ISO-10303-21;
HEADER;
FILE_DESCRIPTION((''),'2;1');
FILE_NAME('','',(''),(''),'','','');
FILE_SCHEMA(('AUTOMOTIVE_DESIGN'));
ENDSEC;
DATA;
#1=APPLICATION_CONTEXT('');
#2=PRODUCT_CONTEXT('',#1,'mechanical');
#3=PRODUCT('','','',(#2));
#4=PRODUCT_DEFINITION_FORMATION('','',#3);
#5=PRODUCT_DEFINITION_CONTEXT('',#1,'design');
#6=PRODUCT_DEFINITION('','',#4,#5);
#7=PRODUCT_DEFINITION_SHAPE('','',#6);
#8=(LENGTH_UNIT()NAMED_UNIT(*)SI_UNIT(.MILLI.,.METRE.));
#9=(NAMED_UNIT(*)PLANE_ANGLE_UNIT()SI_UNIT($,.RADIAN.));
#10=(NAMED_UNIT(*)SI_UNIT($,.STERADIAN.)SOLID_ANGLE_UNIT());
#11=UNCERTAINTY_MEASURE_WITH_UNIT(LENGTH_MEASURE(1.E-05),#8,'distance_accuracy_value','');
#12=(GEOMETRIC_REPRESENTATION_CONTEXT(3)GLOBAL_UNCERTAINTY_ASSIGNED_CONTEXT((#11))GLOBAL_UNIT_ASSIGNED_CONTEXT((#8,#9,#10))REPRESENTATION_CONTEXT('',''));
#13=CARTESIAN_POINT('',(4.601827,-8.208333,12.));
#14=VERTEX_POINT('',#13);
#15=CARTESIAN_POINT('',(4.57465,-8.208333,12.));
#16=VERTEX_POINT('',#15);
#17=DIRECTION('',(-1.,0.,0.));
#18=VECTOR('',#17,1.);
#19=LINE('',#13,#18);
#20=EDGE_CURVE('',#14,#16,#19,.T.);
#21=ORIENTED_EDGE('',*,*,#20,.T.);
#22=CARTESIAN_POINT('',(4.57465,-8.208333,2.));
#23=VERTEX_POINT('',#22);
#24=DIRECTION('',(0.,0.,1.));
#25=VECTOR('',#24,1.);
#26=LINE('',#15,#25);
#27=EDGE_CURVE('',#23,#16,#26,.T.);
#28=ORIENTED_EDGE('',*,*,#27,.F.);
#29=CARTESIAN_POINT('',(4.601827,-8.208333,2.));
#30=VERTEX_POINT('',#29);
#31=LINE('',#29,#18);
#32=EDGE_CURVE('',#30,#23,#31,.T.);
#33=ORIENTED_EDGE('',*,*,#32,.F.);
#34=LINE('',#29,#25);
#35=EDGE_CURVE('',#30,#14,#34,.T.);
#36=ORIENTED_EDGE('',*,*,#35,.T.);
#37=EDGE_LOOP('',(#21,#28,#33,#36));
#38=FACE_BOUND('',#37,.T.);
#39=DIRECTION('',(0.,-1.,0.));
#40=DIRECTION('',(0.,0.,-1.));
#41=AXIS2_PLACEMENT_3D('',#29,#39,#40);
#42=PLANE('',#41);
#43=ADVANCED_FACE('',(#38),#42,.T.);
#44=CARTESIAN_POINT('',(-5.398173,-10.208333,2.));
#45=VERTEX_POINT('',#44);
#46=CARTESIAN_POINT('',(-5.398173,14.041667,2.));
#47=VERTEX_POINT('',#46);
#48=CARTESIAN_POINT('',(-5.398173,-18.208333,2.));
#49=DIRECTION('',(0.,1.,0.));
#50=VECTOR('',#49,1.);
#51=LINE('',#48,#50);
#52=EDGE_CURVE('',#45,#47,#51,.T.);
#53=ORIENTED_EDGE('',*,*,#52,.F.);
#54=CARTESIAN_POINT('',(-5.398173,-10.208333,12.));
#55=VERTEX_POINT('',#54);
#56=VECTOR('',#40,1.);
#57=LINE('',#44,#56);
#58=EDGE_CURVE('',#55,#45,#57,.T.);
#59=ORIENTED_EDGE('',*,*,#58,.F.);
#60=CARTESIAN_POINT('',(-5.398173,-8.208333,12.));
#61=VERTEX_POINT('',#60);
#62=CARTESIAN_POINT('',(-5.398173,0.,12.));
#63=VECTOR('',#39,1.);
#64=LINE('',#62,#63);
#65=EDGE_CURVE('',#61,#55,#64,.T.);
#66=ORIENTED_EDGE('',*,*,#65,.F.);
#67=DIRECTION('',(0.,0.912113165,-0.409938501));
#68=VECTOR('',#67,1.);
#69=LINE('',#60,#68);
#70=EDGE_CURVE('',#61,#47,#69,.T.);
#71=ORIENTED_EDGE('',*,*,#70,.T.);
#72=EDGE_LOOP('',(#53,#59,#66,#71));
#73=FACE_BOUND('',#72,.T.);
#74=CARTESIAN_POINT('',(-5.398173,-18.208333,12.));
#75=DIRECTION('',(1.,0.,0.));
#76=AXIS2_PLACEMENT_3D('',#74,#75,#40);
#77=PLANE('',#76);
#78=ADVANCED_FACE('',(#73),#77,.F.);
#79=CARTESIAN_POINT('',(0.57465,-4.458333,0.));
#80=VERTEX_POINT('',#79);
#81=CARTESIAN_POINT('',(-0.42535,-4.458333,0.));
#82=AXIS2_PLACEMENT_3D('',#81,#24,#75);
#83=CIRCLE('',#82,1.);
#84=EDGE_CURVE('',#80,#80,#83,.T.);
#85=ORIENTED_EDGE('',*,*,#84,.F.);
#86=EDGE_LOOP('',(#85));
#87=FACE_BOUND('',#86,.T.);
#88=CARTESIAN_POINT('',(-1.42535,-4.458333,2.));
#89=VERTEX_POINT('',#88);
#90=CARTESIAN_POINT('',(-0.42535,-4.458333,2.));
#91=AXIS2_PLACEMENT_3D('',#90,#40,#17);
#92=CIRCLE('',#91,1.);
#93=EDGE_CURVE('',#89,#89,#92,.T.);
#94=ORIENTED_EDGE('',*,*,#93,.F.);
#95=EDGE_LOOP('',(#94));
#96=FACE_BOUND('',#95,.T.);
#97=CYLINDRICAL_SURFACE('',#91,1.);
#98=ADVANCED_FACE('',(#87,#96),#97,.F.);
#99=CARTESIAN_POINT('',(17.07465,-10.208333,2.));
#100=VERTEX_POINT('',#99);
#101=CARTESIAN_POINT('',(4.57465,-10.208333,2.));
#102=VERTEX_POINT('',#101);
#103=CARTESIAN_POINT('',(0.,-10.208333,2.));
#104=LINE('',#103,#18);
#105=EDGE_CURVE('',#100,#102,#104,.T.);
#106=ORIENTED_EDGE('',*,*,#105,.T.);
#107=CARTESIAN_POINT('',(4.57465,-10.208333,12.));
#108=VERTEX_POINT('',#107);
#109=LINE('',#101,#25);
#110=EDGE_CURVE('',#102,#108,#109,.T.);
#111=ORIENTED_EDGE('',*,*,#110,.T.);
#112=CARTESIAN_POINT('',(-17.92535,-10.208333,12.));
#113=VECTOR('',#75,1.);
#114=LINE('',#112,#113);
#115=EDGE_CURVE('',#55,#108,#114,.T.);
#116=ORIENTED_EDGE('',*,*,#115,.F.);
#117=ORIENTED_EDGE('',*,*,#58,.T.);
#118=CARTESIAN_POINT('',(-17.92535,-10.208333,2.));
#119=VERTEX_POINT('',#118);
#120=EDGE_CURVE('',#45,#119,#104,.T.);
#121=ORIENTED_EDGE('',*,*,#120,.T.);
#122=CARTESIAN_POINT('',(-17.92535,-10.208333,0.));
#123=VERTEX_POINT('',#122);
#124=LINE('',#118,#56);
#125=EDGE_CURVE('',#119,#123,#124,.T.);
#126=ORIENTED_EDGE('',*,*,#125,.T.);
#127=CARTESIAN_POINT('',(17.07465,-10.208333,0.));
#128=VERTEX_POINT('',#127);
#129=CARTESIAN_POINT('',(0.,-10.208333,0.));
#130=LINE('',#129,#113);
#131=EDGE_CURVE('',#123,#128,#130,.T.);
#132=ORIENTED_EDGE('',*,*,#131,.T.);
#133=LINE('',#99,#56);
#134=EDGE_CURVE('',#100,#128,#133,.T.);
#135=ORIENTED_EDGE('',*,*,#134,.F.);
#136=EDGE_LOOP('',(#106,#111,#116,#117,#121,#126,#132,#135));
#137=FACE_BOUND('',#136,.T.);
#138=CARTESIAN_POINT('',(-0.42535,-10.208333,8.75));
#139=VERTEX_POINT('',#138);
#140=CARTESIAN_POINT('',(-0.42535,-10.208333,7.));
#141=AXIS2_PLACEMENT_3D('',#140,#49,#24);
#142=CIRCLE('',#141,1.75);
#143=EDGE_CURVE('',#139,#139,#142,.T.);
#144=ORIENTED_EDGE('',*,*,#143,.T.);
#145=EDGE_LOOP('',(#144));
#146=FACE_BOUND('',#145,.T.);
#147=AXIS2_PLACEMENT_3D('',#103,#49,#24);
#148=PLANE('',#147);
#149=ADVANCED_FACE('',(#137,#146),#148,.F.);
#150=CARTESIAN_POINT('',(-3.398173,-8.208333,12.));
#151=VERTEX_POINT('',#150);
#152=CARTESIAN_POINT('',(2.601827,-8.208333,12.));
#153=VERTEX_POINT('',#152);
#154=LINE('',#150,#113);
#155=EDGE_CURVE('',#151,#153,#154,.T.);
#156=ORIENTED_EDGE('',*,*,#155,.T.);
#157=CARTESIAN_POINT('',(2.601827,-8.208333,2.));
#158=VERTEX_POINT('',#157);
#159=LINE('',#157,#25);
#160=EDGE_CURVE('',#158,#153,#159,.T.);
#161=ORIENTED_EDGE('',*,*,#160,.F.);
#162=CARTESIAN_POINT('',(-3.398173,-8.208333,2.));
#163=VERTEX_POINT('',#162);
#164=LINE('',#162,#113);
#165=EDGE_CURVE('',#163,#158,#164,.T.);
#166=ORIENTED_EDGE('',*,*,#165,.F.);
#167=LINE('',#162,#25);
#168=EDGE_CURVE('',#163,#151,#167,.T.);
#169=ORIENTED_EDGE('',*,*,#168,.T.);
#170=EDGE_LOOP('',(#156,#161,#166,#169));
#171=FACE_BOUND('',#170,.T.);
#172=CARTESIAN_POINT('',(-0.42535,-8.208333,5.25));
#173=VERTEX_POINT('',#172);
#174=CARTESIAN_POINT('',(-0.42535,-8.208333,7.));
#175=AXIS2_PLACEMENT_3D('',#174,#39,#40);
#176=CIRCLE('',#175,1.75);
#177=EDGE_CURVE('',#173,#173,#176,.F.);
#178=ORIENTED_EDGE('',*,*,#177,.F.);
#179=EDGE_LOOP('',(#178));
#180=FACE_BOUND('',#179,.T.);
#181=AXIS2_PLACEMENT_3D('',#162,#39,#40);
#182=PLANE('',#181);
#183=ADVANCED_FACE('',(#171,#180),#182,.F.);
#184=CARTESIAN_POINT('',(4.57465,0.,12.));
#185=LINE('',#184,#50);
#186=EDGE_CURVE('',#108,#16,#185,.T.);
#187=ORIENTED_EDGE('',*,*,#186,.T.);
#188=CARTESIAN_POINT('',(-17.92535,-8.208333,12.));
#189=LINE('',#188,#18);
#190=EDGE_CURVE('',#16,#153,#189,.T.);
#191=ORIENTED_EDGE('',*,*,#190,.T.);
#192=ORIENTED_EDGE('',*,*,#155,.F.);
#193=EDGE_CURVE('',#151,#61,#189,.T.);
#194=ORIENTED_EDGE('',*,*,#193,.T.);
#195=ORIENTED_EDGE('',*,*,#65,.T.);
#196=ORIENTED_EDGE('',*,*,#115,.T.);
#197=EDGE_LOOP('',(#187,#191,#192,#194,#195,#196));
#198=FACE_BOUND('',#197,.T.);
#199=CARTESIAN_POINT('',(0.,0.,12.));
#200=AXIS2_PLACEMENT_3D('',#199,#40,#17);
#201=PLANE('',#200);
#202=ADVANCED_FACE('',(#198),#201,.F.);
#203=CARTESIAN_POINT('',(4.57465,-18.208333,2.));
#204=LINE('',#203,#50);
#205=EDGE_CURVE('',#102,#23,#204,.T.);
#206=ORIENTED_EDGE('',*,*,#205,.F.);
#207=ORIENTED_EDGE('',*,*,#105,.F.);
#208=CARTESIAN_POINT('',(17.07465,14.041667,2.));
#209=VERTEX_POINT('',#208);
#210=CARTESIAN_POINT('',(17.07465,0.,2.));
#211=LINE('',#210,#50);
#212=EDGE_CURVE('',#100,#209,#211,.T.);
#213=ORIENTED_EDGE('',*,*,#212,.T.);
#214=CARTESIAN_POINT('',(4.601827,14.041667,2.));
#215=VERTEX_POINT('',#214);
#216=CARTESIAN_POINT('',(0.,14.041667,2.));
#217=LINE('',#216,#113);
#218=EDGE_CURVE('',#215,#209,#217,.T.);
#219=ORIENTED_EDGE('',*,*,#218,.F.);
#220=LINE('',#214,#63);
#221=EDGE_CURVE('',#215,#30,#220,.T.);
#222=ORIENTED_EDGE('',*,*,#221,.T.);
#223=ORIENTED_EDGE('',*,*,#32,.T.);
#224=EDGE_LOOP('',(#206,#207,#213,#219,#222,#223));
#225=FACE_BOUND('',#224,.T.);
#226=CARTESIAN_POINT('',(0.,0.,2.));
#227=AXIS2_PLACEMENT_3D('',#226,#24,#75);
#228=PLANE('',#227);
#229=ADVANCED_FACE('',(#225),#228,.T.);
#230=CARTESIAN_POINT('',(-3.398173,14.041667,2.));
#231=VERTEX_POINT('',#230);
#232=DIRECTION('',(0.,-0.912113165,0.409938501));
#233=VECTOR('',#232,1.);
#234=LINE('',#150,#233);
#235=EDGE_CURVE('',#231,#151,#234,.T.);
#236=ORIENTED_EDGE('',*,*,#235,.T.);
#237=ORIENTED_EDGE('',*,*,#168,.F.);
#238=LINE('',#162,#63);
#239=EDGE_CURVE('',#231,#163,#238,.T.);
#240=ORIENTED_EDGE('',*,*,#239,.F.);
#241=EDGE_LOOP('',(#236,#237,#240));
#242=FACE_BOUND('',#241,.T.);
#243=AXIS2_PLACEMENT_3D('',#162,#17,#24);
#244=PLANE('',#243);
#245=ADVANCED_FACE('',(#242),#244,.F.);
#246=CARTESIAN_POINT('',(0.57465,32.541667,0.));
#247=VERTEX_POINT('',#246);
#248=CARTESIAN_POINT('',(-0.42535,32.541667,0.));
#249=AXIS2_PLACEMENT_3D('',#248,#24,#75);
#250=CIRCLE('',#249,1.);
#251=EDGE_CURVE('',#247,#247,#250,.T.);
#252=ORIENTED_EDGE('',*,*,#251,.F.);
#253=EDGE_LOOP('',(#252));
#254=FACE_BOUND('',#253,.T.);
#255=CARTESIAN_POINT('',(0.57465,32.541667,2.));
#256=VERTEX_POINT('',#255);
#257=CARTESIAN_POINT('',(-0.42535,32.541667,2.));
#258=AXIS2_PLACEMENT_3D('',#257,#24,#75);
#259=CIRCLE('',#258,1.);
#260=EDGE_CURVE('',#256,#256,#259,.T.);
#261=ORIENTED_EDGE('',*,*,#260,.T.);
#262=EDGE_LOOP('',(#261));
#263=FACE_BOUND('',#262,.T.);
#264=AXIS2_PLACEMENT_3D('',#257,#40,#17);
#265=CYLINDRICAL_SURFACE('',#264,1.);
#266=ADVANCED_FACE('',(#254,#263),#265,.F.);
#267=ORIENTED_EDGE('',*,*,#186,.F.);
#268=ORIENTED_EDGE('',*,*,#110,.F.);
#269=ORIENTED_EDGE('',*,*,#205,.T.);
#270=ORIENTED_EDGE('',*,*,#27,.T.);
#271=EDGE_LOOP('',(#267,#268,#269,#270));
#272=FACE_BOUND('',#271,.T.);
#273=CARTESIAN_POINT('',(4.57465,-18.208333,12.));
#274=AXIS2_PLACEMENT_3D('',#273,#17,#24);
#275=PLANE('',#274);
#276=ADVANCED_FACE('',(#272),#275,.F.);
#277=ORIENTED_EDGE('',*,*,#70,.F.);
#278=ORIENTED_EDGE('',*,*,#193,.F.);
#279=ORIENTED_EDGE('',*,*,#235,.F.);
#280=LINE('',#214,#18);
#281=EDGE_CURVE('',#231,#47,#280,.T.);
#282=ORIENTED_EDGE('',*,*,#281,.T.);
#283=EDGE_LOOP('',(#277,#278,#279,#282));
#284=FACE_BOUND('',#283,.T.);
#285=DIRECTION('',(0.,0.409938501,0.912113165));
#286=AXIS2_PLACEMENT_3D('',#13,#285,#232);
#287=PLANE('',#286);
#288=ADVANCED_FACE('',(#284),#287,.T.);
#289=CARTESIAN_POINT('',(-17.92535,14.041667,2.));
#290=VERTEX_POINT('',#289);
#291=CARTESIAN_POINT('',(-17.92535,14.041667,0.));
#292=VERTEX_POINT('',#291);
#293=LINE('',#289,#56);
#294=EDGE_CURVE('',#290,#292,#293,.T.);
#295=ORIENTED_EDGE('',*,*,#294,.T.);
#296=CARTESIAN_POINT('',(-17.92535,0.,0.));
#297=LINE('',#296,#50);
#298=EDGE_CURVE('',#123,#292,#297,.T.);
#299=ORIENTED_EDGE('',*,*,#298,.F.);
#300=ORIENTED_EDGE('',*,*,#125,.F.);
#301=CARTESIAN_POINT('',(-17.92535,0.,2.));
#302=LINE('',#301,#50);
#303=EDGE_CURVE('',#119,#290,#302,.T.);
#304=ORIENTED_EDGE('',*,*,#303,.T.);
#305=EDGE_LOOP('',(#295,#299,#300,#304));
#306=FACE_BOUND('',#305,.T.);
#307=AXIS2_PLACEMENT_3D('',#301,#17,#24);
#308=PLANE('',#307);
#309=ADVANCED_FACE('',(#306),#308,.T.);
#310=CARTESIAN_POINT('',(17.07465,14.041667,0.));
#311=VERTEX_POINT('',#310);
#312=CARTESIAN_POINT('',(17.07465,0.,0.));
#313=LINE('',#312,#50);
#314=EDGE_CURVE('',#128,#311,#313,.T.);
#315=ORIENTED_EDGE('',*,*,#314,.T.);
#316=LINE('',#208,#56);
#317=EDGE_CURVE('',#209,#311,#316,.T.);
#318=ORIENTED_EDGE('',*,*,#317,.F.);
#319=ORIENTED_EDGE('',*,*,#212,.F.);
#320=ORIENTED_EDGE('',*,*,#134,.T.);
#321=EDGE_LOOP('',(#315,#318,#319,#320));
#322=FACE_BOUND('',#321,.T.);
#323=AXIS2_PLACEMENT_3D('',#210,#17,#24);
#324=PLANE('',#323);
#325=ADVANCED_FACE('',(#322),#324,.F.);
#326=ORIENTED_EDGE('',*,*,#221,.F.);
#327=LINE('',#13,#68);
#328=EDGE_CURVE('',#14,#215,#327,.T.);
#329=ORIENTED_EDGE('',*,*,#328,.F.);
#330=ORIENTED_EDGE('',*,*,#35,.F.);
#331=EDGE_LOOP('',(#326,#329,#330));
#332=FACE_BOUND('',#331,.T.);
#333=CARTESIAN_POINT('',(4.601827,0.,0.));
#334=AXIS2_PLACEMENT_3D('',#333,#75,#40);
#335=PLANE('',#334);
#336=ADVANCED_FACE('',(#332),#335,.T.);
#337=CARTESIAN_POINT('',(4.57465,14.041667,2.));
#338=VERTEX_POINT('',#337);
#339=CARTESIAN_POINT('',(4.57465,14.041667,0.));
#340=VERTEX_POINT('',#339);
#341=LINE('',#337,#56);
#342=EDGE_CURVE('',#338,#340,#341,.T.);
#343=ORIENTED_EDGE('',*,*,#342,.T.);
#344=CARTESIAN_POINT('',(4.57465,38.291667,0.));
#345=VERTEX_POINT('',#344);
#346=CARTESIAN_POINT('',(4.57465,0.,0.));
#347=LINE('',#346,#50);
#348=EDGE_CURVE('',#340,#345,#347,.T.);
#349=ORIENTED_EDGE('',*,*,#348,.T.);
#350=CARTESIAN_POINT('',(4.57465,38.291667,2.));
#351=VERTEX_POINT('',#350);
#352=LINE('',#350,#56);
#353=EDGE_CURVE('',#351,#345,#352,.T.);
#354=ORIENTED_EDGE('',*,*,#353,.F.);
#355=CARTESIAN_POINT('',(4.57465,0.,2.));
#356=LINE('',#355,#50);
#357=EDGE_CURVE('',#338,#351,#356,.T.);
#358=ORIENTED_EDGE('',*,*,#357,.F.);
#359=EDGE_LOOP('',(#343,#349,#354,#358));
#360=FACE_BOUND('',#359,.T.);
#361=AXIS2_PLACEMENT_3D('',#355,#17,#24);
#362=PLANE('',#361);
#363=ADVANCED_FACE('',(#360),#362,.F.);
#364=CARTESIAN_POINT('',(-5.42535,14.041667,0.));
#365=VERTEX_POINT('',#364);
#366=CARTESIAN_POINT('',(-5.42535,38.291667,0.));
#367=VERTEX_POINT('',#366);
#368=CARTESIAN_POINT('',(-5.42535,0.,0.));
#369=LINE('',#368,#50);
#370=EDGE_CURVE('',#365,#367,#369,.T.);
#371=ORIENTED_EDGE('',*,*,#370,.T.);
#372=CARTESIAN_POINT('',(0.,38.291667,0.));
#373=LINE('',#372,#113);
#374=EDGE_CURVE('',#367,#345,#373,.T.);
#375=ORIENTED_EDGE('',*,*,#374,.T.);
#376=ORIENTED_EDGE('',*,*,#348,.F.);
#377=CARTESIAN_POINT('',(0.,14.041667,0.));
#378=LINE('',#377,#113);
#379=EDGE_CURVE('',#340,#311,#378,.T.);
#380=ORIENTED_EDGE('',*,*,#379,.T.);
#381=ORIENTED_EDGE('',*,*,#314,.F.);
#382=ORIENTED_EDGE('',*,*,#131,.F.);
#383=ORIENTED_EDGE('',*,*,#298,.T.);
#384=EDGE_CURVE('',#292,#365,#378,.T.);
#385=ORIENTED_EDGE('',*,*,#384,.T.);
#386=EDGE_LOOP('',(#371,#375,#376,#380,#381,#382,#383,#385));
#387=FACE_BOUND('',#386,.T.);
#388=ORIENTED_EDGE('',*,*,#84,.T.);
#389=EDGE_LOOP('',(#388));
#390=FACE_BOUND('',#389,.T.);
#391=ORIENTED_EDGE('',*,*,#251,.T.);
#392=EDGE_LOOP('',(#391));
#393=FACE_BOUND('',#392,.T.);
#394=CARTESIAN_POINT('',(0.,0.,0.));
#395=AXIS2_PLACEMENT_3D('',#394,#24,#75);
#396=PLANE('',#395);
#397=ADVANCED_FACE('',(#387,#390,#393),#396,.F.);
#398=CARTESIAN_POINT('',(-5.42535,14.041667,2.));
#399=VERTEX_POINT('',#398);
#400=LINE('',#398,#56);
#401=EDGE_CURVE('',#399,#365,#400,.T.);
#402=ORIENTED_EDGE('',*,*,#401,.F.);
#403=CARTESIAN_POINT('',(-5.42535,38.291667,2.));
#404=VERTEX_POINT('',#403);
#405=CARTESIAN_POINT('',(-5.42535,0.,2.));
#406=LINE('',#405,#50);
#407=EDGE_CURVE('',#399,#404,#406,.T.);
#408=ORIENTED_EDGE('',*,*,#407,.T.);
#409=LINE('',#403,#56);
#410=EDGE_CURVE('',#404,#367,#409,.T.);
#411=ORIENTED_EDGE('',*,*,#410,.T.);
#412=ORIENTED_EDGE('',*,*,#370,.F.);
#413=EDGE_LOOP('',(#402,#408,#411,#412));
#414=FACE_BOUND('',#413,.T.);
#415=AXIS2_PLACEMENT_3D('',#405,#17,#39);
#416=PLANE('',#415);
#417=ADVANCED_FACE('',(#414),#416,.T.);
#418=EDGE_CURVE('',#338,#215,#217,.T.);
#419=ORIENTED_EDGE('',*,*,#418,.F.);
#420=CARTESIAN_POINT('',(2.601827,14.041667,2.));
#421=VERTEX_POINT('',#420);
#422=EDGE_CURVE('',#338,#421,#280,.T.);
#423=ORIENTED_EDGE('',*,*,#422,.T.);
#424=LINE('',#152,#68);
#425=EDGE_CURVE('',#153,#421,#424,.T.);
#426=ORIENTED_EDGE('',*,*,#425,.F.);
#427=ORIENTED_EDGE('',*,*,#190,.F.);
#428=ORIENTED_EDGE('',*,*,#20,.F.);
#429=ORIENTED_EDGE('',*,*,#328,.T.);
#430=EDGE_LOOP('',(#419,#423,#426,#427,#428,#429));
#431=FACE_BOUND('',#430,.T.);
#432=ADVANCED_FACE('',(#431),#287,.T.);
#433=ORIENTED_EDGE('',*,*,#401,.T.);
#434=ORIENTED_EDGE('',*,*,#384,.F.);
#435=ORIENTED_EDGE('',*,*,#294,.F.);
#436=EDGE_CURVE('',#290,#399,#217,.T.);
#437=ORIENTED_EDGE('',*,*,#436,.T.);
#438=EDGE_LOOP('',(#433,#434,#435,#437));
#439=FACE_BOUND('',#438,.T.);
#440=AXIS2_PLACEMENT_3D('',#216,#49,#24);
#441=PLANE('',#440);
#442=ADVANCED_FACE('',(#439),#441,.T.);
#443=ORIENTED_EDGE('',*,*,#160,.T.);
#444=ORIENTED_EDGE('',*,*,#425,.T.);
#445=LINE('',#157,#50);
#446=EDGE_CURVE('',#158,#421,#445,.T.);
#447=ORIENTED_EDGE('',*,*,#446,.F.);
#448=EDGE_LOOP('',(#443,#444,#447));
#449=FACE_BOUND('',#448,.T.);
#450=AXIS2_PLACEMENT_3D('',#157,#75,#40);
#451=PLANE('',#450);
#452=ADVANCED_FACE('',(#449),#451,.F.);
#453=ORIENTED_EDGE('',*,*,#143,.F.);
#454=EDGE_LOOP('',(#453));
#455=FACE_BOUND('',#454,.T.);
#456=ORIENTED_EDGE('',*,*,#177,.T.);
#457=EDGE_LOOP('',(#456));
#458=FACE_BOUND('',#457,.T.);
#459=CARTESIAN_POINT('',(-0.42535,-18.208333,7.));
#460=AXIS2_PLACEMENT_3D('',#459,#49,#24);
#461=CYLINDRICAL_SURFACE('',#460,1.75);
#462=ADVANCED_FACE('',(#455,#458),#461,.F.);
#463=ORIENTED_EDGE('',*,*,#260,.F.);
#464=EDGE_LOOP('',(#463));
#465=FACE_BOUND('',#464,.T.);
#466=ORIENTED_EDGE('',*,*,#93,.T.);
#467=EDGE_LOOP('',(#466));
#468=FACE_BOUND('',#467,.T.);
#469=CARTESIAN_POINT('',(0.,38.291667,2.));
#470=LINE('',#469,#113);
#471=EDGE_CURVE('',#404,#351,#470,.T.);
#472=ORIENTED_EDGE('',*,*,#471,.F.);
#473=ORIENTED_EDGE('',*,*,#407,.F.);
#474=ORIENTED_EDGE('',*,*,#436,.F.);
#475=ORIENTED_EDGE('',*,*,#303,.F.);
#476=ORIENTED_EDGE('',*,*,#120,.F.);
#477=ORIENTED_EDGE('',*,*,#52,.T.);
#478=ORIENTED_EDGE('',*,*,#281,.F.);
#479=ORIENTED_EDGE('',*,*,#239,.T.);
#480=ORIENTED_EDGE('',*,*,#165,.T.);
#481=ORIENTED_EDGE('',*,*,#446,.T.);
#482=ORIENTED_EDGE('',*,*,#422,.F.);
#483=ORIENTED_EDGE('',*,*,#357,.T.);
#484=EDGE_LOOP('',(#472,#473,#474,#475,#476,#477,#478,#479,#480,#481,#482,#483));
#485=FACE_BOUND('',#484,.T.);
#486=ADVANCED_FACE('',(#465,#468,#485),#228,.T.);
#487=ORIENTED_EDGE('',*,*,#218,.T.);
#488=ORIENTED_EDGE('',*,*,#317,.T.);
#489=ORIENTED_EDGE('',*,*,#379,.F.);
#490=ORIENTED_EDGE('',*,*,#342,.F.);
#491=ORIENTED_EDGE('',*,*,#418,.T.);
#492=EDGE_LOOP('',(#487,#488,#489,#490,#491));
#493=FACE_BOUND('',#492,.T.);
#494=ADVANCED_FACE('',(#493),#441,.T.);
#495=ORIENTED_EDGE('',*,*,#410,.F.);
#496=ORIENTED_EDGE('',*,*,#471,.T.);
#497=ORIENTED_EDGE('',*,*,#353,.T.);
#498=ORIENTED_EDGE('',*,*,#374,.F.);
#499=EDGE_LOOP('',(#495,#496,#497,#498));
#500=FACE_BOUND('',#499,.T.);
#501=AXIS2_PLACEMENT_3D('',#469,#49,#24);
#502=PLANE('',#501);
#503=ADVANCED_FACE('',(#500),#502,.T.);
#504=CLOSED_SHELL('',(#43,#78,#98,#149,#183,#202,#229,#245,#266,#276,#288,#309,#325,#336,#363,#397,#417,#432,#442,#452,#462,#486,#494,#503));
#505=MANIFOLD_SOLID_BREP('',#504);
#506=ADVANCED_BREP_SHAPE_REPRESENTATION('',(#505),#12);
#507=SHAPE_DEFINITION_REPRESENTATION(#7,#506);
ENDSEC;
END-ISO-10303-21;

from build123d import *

# Parameters (mm, degrees)
ESBO_O1_R                = 1
RESSALTO_EXTRUS_O1_DEPTH = 2
ESBO_O2_W                = 35
ESBO_O2_H                = 2
RESSALTO_EXTRUS_O2_DEPTH = 10
ESBO_O3_R                = 1.75
CORTE_EXTRUS_O1_DEPTH    = 10
ESBO_O4_W                = 12.527176897
ESBO_O4_H                = 10
ESBO_O4_W_2              = 12.5
CORTE_EXTRUS_O2_DEPTH    = 10
RESSALTO_EXTRUS_O3_DEPTH = 10
ESBO_O6_W                = 6
ESBO_O6_H                = 22.25
CORTE_EXTRUS_O3_DEPTH    = 10


with BuildPart() as part:
    # Esboço1 → Ressalto-extrusão1 (new body)
    with BuildSketch(Plane.XY):
        Polygon((-17.925350174, 14.041666667), (-5.425350174, 14.041666667), (-5.425350174, 38.291666667), (4.574649826, 38.291666667), (4.574649826, 14.041666667), (17.074649826, 14.041666667), (17.074649826, -10.208333333), (-17.925350174, -10.208333333), align=None)
        with Locations((-0.425350174, 32.541666667)):
            Circle(ESBO_O1_R, mode=Mode.SUBTRACT)
        with Locations((-0.425350174, -4.458333333)):
            Circle(ESBO_O1_R, mode=Mode.SUBTRACT)
    extrude(amount=RESSALTO_EXTRUS_O1_DEPTH)

    # Esboço2 → Ressalto-extrusão2 (add)
    with BuildSketch(Plane.XY.offset(2)):
        with Locations((-0.425350174, -9.208333333)):
            Rectangle(ESBO_O2_W, ESBO_O2_H)
    extrude(amount=RESSALTO_EXTRUS_O2_DEPTH)

    # Esboço3 → Corte-extrusão1 (cut)
    with BuildSketch(Plane(origin=(0, -8.208333333, 0), x_dir=(1, 0, 0), z_dir=(0, 1, 0))):
        with Locations(Location((-0.425350174, -7, 0), (0, 0, 270))):
            Circle(ESBO_O3_R)
    extrude(amount=-CORTE_EXTRUS_O1_DEPTH, mode=Mode.SUBTRACT)

    # Esboço4 → Corte-extrusão2 (cut)
    with BuildSketch(Plane(origin=(0, -8.208333333, 0), x_dir=(1, 0, 0), z_dir=(0, 1, 0))):
        with Locations((-11.661761726, -7)):
            Rectangle(ESBO_O4_W, ESBO_O4_H)
        with Locations((10.824649826, -7)):
            Rectangle(ESBO_O4_W_2, ESBO_O4_H)
    extrude(amount=-CORTE_EXTRUS_O2_DEPTH, mode=Mode.SUBTRACT)

    # Esboço5 → Ressalto-extrusão3 (add)
    with BuildSketch(Plane.ZY.offset(5.398173277)):
        Polygon((12, -8.208333333), (2, 14.041666667), (2, -8.208333333), align=None)
    extrude(amount=-RESSALTO_EXTRUS_O3_DEPTH)

    # Esboço6 → Corte-extrusão3 (cut)
    with BuildSketch(Plane.XY.offset(12)):
        with Locations((-0.398173277, 2.916666667)):
            Rectangle(ESBO_O6_W, ESBO_O6_H)
    extrude(amount=-CORTE_EXTRUS_O3_DEPTH, mode=Mode.SUBTRACT)


solid = part.part
